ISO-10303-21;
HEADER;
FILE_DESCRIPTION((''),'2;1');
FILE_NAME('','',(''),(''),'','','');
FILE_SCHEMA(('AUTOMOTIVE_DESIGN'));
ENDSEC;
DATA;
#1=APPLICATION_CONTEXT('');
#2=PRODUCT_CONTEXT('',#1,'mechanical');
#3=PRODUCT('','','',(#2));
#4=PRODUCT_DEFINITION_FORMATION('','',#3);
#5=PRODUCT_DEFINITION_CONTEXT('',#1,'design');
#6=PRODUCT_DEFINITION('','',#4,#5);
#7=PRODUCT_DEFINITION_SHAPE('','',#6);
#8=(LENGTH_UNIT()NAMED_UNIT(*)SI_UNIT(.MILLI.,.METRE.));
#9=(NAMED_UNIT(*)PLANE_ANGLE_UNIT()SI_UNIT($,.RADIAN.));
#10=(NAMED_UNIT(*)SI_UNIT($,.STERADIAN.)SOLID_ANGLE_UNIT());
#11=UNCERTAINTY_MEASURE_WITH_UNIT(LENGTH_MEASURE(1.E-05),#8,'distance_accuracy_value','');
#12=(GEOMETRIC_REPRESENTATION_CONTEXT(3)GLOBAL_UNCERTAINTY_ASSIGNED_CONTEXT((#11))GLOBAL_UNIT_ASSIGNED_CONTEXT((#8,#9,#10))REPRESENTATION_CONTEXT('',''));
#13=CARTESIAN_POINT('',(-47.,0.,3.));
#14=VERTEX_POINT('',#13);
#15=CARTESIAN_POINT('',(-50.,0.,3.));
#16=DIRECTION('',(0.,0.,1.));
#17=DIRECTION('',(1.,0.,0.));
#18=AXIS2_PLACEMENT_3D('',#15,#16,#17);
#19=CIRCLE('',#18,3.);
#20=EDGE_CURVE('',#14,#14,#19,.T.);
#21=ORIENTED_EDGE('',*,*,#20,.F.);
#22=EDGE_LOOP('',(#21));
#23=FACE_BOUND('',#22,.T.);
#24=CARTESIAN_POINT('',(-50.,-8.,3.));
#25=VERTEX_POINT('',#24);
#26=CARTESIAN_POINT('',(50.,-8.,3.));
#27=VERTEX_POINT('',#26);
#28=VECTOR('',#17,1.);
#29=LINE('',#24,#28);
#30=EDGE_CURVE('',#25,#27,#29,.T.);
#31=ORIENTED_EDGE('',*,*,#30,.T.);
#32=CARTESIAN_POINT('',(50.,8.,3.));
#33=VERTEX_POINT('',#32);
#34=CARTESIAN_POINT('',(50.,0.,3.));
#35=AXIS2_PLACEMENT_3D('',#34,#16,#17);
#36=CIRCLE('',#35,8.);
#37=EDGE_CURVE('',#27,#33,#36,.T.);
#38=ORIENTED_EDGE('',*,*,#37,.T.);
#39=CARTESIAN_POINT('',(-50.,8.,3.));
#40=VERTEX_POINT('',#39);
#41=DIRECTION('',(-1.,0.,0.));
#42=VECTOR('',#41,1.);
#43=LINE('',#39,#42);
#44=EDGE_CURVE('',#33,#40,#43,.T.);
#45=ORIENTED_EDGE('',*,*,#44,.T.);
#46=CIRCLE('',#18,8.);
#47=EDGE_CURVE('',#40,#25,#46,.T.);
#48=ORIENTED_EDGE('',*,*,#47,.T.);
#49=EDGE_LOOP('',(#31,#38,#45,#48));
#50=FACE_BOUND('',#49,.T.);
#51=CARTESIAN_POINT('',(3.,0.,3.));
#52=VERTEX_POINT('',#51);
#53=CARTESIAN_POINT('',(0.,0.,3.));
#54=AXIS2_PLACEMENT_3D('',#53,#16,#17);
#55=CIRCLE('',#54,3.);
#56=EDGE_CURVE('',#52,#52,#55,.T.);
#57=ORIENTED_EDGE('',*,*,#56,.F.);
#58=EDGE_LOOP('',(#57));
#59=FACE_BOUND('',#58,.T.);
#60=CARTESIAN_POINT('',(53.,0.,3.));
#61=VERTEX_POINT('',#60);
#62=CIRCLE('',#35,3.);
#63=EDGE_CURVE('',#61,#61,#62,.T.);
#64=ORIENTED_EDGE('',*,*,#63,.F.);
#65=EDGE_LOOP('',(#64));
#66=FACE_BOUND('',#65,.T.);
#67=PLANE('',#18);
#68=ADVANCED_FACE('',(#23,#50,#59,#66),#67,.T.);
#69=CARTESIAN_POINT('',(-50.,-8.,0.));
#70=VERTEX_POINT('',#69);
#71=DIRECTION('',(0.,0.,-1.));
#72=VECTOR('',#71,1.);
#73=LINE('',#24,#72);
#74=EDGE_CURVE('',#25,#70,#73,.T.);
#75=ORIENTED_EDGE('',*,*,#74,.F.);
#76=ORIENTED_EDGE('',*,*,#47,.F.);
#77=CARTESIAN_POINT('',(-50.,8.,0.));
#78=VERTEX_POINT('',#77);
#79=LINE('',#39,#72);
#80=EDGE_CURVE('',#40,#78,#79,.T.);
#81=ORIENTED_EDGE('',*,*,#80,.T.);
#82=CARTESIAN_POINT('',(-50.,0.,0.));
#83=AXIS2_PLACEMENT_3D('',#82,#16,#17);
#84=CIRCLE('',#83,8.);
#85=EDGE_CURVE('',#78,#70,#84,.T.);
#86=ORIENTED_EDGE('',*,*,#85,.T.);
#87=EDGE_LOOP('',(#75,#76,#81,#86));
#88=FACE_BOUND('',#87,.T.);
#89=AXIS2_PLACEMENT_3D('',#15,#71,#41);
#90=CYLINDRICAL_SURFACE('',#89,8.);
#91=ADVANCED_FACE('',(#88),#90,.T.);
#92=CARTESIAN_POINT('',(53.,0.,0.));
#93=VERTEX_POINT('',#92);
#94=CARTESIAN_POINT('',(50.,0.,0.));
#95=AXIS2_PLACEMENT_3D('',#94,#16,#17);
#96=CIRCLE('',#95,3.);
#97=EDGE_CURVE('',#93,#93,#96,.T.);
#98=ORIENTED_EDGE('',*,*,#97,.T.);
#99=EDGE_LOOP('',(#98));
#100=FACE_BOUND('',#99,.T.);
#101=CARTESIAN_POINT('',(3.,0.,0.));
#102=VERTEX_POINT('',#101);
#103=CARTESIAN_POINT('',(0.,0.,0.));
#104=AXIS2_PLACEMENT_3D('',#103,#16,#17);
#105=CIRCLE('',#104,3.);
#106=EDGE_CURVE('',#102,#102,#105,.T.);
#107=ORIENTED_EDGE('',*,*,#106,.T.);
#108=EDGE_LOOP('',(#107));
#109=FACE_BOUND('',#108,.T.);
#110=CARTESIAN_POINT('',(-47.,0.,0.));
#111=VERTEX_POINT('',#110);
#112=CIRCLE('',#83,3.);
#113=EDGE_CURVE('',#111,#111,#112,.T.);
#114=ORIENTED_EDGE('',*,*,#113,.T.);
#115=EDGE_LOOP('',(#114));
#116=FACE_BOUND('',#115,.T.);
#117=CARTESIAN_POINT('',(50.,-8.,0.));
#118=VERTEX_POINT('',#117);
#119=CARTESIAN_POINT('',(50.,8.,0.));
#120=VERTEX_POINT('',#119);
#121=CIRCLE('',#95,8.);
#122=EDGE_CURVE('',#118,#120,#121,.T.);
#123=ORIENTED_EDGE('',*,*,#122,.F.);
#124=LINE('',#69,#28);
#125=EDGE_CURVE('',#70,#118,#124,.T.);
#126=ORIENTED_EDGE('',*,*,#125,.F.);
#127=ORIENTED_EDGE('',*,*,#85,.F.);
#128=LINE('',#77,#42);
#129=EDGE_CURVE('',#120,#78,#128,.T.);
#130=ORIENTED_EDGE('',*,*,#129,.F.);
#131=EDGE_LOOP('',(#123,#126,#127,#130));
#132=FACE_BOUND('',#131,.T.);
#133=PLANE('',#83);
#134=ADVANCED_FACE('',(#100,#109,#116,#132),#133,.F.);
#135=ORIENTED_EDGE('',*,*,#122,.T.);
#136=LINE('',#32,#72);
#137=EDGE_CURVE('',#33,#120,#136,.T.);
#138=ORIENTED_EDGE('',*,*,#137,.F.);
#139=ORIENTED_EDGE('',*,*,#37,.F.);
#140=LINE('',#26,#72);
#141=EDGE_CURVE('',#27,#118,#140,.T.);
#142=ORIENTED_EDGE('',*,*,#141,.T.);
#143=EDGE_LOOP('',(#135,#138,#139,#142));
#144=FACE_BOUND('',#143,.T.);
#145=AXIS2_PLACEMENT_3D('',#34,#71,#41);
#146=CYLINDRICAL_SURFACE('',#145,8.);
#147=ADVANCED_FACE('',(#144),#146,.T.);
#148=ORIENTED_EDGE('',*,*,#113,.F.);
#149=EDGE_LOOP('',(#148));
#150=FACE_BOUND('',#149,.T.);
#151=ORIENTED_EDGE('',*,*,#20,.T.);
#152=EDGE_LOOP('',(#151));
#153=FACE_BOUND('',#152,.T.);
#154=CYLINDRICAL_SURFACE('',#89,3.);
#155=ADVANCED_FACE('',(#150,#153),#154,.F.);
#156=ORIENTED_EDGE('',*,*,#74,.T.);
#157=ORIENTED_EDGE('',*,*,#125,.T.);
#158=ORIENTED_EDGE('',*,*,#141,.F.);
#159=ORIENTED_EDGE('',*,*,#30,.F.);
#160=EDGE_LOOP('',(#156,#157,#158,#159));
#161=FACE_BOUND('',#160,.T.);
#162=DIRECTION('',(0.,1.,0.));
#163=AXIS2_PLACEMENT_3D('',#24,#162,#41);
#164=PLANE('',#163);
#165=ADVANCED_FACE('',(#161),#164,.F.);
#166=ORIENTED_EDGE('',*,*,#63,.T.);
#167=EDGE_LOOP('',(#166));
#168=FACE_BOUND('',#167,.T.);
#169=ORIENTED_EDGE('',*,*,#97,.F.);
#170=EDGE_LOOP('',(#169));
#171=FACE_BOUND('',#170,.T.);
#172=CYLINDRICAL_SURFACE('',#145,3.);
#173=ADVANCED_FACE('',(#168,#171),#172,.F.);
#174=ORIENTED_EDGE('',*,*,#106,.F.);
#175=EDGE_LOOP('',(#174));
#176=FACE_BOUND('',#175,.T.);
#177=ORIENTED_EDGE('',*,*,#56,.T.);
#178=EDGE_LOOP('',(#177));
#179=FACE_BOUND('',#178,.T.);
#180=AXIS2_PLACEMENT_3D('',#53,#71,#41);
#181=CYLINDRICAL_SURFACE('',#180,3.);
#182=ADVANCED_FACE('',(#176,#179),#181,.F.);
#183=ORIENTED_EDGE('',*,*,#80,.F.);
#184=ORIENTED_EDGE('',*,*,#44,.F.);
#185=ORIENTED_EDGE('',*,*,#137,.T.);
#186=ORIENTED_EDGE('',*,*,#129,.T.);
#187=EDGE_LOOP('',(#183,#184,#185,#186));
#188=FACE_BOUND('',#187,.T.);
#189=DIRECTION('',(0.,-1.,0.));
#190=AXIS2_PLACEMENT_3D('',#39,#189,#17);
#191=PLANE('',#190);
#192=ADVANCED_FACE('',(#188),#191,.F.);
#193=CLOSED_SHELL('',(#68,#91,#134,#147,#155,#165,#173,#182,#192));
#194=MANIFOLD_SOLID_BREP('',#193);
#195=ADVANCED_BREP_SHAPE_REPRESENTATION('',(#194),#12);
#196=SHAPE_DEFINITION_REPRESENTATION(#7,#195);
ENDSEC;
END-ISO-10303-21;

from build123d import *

# Parameters (mm, degrees)
SKETCH1_R           = 3
BOSS_EXTRUDE1_DEPTH = 3


with BuildPart() as part:
    # Sketch1 → Boss-Extrude1 (new body)
    with BuildSketch(Plane.XY):
        with BuildLine():
            Line((-50, 8), (50, 8))
            ThreePointArc((50, 8), (58, 0), (50, -8))
            Line((50, -8), (-50, -8))
            ThreePointArc((-50, -8), (-58, 0), (-50, 8))
        make_face()
        with Locations((-50, 0)):
            Circle(SKETCH1_R, mode=Mode.SUBTRACT)
        with Locations((50, 0)):
            Circle(SKETCH1_R, mode=Mode.SUBTRACT)
        Circle(SKETCH1_R, mode=Mode.SUBTRACT)
    extrude(amount=BOSS_EXTRUDE1_DEPTH)


solid = part.part
